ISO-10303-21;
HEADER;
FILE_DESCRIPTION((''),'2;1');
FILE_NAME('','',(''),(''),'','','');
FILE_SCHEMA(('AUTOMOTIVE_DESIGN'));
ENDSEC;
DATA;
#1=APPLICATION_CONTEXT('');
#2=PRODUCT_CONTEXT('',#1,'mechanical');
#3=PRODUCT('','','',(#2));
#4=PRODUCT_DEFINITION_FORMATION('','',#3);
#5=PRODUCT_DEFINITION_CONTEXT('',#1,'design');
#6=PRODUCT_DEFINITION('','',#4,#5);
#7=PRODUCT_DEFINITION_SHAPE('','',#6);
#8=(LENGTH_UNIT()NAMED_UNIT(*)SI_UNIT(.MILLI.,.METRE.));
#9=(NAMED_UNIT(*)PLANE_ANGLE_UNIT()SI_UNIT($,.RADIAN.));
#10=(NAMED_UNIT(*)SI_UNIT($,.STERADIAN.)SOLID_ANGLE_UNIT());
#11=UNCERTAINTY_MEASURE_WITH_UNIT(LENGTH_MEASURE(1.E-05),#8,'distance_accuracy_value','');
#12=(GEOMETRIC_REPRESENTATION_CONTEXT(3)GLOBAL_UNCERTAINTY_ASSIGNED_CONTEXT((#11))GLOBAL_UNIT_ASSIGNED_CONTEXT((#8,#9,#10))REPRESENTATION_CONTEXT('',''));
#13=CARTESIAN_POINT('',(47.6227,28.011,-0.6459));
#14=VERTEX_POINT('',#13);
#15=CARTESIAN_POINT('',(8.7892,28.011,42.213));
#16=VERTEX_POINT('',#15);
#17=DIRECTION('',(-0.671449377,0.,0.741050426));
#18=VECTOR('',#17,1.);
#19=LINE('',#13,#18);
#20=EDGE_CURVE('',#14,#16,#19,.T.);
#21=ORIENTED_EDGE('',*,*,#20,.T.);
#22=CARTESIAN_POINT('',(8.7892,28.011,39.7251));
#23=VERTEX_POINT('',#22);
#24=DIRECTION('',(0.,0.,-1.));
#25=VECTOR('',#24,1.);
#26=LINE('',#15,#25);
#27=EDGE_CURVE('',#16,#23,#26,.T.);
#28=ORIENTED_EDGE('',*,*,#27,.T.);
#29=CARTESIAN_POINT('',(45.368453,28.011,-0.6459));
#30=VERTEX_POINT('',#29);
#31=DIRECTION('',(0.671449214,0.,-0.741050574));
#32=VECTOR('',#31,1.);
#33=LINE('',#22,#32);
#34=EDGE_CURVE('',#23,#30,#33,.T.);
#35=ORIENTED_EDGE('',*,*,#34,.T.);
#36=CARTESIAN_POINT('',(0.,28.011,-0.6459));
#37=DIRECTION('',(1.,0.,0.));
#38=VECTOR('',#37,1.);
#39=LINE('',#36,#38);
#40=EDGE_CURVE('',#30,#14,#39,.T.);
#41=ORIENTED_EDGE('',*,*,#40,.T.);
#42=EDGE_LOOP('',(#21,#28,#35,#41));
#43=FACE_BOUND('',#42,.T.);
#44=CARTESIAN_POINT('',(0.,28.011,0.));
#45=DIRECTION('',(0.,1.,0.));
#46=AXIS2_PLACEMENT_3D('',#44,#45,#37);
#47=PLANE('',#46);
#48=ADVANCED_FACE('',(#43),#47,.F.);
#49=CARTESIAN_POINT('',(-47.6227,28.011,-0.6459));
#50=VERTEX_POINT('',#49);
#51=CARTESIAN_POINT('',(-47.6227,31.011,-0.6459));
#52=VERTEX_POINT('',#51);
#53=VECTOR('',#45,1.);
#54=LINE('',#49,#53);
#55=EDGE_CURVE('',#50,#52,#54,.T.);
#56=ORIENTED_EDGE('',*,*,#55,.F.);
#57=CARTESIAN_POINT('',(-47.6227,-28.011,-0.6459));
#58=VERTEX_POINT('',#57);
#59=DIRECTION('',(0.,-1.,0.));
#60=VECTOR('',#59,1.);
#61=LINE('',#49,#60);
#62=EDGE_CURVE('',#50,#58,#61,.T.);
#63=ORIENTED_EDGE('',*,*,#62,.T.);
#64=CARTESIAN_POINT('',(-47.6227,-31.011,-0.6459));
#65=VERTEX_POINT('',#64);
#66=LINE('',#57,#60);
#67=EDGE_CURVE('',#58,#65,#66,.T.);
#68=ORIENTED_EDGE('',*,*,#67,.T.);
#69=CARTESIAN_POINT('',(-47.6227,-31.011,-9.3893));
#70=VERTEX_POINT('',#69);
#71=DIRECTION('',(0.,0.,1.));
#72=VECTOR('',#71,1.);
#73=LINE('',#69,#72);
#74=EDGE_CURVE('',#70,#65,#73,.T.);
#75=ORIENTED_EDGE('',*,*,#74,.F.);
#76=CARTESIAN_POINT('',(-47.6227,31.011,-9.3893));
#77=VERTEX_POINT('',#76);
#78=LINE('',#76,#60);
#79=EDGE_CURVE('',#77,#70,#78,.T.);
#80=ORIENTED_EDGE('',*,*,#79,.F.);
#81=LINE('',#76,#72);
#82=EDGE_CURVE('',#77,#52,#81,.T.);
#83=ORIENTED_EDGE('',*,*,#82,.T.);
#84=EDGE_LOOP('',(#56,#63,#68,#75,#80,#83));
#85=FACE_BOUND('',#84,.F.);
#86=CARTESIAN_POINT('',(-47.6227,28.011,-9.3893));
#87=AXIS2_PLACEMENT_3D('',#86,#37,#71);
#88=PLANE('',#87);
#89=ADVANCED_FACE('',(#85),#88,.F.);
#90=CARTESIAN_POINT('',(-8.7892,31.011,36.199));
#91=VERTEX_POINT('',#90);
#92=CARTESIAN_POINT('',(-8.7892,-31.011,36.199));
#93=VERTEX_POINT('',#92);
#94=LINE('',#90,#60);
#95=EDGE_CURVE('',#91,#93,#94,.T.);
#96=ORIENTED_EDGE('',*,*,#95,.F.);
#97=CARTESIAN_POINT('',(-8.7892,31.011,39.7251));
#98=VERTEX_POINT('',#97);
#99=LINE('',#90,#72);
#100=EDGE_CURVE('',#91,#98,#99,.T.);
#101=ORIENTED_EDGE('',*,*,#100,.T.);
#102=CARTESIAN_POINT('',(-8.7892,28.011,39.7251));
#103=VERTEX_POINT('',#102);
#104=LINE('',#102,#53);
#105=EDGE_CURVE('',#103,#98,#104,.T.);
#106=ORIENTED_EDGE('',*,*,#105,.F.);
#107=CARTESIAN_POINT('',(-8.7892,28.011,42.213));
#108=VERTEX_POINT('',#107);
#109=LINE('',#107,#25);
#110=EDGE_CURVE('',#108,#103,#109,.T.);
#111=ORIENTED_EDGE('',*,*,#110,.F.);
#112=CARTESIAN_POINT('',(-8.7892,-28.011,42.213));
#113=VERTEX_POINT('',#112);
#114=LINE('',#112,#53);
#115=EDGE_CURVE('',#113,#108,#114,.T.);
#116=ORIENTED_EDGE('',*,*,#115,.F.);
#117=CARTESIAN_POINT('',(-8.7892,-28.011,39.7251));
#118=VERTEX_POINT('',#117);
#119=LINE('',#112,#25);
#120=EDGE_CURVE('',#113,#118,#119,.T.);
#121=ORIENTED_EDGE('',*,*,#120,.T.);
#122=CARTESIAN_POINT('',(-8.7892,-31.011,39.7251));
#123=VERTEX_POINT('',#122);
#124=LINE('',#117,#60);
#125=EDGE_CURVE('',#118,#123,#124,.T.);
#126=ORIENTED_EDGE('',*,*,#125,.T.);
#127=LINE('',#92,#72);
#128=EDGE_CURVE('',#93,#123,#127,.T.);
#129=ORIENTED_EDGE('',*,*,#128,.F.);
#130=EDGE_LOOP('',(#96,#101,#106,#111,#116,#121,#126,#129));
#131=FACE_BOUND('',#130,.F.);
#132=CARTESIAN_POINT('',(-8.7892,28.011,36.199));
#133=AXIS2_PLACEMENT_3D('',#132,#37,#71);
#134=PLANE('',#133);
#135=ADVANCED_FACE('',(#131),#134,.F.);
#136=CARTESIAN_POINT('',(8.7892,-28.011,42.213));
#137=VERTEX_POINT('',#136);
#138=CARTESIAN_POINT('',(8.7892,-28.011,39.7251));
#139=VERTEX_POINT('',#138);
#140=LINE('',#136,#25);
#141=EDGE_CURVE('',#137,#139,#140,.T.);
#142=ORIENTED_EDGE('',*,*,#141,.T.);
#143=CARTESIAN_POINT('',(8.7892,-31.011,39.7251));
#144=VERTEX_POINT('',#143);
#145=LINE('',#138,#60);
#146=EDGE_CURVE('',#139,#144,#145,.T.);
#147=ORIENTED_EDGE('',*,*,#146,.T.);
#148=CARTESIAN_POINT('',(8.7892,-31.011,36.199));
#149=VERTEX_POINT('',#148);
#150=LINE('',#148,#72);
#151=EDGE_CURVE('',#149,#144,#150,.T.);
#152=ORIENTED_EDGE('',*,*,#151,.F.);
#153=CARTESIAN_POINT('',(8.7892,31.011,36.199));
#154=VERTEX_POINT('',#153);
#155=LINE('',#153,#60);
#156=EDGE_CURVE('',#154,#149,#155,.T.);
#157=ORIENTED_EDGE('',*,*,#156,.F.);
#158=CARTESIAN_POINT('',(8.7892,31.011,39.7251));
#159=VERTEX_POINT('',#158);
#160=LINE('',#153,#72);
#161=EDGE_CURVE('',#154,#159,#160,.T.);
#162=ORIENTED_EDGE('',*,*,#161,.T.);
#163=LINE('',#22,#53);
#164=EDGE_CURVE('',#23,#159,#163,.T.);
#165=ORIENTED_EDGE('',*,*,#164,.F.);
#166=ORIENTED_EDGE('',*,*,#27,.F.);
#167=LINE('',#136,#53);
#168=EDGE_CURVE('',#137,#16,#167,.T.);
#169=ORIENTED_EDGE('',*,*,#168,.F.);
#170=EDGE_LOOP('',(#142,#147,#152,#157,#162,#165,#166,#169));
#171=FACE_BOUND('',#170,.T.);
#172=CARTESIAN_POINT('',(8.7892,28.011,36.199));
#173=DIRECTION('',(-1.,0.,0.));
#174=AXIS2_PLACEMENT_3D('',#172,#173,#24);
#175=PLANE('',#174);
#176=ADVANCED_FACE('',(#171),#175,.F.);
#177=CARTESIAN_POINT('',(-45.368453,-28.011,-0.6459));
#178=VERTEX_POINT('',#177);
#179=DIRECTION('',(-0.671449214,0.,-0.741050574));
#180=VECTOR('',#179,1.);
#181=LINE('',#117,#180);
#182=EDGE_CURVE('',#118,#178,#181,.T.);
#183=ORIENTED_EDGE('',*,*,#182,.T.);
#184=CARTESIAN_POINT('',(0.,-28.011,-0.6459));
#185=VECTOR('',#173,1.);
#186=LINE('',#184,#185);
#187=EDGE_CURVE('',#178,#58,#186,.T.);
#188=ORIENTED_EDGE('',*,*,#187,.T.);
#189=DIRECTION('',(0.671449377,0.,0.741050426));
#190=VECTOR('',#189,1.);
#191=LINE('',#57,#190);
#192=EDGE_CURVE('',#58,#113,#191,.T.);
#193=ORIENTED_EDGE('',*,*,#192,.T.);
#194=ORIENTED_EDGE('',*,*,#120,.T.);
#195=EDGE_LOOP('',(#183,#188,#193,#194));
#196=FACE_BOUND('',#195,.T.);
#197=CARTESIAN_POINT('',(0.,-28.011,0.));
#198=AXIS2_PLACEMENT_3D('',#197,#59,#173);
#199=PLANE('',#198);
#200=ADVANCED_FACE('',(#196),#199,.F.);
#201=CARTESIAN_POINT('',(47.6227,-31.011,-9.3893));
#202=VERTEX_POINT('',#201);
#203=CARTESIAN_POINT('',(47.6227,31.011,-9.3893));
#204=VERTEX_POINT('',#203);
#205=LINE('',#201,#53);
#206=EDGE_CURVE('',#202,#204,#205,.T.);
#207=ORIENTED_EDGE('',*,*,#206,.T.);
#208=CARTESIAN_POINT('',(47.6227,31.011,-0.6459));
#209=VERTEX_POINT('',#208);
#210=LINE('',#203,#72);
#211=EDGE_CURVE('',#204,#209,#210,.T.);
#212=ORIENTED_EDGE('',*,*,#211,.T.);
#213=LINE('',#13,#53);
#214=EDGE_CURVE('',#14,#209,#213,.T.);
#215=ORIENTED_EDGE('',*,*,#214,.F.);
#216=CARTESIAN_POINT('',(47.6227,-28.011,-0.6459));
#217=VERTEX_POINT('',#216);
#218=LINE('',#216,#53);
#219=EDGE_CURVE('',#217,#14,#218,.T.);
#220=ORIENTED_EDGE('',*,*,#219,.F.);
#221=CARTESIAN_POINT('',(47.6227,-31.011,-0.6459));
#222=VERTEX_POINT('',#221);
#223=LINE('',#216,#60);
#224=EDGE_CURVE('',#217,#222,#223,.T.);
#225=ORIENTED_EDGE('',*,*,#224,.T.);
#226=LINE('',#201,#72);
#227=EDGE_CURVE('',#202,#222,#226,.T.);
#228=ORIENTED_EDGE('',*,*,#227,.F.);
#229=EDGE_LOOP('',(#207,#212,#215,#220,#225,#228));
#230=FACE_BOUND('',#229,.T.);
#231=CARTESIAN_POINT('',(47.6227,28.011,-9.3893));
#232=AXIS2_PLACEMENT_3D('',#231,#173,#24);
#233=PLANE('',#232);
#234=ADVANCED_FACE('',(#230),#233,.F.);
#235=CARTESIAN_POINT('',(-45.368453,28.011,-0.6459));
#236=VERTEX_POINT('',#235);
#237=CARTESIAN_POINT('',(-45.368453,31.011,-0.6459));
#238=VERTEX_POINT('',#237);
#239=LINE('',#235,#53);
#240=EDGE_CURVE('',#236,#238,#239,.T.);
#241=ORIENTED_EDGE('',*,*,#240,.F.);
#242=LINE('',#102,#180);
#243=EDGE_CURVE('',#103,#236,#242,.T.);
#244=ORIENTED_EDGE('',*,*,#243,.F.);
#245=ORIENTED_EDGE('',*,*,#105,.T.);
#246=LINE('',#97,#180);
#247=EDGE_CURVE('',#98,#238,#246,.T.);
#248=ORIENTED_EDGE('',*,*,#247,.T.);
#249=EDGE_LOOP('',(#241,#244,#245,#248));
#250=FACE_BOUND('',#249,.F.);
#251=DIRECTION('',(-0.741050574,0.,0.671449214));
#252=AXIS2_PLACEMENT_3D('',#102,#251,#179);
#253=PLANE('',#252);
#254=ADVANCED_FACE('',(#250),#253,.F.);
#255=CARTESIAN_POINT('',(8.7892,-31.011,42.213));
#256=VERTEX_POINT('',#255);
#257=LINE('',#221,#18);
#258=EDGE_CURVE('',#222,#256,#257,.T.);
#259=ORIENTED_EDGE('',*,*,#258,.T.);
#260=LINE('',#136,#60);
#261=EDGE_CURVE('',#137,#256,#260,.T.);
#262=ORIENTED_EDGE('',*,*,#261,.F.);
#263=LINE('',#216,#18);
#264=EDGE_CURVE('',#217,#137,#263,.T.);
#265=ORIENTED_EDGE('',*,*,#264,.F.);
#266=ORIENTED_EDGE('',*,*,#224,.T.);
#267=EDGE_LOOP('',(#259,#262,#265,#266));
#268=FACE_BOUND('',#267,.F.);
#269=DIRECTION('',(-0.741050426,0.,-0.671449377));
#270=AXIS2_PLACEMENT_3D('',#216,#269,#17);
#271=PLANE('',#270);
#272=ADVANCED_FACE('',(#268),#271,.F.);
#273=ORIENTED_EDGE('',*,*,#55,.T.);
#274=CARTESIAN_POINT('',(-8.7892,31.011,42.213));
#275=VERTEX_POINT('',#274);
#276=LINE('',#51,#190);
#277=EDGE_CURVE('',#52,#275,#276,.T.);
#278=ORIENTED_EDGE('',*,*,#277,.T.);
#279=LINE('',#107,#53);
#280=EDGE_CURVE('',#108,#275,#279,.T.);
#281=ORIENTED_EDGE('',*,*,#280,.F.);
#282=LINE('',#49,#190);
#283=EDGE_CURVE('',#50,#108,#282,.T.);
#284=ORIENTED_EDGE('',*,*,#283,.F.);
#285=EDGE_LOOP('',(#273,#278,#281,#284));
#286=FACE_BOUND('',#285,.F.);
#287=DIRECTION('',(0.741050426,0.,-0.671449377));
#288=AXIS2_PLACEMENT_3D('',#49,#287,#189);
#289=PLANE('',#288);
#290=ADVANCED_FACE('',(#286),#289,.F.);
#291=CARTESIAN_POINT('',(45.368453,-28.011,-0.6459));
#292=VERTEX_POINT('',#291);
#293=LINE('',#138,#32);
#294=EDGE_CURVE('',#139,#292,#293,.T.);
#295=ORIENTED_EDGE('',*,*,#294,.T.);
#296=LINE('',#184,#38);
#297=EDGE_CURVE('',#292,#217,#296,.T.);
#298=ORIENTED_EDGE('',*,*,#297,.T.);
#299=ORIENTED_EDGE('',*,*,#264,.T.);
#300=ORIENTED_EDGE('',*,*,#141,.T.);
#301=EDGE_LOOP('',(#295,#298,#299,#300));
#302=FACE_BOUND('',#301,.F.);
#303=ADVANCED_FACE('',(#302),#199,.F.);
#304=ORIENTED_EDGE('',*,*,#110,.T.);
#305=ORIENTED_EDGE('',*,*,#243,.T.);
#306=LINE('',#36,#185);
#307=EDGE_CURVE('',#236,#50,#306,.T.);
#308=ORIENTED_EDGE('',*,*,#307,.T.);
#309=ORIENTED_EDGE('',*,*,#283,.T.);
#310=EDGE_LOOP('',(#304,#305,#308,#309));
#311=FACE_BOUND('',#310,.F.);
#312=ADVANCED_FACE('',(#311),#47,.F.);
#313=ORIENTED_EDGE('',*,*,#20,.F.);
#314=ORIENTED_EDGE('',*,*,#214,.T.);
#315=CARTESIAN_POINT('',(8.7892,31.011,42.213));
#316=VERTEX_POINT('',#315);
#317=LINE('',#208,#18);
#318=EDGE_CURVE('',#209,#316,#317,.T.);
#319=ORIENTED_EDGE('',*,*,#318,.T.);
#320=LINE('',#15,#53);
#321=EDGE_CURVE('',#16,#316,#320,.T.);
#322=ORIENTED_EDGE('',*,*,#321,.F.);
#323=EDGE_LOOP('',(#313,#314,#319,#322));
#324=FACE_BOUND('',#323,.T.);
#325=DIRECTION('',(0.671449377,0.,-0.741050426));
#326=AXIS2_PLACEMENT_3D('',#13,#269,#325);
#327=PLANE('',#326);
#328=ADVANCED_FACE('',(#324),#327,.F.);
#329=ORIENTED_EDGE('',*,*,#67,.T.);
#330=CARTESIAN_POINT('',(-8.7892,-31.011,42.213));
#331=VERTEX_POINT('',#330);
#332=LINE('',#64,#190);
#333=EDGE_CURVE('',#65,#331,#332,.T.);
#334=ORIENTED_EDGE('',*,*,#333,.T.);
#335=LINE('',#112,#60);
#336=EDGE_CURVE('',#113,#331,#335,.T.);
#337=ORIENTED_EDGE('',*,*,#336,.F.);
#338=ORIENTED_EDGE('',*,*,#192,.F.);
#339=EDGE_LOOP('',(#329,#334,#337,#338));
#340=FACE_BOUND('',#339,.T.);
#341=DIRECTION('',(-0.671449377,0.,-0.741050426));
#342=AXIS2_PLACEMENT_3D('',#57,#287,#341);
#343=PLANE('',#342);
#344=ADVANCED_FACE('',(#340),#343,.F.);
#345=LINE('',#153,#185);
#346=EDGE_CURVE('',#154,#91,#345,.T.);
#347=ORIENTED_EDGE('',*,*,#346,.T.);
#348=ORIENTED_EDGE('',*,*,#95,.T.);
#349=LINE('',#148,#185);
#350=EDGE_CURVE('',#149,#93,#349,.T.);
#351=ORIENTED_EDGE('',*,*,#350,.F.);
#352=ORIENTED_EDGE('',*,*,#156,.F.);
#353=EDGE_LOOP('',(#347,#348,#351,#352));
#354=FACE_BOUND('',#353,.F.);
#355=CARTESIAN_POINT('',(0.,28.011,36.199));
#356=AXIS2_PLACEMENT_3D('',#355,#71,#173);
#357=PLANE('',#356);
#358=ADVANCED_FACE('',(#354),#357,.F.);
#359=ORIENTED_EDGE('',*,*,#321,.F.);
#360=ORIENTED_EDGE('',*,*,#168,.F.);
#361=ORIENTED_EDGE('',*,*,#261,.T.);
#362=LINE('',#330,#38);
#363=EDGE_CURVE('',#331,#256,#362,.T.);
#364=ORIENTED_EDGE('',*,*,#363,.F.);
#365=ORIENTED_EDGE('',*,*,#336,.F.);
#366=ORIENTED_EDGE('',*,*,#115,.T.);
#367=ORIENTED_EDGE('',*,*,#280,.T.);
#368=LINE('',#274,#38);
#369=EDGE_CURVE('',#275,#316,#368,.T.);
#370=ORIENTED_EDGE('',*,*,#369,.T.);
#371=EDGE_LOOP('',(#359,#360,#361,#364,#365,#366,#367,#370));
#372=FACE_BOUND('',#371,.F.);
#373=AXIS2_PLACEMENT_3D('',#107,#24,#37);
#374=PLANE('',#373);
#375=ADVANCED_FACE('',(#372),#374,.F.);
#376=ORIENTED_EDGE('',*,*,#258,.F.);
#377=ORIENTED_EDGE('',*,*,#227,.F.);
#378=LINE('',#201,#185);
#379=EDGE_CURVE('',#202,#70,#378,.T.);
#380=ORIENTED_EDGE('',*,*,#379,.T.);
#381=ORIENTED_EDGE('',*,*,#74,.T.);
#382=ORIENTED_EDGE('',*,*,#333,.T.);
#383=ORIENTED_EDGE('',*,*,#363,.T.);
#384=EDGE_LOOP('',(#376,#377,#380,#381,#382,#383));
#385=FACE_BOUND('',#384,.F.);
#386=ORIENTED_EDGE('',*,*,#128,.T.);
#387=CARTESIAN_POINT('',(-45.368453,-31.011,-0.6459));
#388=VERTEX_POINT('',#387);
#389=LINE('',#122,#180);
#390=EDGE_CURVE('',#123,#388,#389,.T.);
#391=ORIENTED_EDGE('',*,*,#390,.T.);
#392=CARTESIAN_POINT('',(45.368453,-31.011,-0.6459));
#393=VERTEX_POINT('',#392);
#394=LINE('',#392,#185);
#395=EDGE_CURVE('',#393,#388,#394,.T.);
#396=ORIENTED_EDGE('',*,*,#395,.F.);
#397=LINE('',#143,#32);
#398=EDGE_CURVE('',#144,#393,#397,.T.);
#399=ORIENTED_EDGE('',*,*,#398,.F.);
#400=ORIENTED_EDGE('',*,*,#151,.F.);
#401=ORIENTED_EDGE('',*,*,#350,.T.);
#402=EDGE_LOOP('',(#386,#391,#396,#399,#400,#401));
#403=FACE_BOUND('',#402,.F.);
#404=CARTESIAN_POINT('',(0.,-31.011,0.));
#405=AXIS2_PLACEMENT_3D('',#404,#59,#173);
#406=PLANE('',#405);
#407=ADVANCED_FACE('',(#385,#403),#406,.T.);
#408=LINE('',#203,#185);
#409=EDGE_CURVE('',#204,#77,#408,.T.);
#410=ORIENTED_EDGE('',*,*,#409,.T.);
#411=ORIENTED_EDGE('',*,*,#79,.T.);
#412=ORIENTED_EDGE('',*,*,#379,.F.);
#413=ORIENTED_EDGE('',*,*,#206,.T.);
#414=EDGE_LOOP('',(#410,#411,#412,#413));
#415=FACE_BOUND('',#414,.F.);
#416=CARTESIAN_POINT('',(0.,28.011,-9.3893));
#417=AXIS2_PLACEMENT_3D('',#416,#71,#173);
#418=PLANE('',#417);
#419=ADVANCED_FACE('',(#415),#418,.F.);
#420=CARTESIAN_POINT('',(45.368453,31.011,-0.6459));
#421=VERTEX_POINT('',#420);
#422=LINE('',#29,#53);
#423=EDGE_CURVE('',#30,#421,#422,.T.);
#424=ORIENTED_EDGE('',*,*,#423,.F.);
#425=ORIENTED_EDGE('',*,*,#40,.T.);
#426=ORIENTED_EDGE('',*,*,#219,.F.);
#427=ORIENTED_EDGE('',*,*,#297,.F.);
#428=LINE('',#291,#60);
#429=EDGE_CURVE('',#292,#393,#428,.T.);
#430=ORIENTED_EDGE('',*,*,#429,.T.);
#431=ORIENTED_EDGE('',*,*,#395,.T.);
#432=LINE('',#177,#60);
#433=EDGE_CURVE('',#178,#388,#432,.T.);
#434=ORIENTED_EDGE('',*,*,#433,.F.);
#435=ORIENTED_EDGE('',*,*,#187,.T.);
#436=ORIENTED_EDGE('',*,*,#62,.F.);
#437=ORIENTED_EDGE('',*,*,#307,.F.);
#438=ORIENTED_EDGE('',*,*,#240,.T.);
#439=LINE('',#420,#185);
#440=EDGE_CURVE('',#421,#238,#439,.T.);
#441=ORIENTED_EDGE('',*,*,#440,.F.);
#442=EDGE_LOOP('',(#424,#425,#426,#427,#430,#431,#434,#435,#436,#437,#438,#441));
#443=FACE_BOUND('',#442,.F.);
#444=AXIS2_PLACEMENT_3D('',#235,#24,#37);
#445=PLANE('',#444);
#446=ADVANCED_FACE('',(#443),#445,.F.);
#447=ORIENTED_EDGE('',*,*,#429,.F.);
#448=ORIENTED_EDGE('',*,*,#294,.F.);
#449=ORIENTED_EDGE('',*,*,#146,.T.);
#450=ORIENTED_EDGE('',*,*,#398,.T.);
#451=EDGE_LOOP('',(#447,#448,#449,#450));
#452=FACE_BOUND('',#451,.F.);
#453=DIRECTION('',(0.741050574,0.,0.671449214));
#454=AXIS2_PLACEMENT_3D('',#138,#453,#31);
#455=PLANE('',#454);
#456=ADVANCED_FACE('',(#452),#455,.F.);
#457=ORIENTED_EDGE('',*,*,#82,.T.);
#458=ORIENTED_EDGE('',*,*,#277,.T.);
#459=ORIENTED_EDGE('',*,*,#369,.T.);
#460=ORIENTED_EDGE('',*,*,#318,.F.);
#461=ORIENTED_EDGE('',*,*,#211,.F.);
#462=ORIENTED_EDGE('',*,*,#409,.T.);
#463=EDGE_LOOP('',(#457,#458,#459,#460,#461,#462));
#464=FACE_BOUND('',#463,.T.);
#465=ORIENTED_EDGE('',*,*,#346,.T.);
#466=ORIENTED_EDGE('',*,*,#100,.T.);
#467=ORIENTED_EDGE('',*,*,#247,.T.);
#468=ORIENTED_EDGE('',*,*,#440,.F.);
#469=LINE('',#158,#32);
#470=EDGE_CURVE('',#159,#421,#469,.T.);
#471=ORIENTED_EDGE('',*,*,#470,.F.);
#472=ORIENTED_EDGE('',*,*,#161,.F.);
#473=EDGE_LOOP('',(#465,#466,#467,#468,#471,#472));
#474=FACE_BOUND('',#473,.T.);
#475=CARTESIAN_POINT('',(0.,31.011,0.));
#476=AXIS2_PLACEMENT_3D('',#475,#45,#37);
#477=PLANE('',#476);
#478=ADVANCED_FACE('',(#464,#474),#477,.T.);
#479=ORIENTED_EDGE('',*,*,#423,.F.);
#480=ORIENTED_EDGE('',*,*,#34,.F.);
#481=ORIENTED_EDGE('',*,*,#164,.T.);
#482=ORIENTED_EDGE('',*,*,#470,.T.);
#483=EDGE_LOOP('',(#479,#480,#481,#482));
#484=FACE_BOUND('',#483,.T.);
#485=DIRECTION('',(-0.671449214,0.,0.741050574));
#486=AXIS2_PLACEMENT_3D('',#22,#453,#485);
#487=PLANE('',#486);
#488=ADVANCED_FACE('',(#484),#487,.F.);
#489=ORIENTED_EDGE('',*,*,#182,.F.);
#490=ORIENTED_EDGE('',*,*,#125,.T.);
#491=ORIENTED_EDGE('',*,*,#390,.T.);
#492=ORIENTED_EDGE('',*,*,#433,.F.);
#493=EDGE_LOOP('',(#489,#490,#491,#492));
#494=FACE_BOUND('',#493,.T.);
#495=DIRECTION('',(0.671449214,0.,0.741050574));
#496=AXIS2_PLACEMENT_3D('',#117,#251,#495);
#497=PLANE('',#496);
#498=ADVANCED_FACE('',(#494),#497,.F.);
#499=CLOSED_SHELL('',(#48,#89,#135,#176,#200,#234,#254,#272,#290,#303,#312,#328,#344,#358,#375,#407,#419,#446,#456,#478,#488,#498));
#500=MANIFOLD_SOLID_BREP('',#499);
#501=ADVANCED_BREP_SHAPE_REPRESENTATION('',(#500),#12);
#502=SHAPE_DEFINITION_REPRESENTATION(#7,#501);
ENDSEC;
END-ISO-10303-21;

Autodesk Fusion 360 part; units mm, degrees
ref_plane "WorkPlane1" through (0, 28.011, 0) normal (0, 1, 0) x (0, 0, 1)
sketch "Sketch2" plane through (0, 28.011, 0) normal (0, 1, 0) x (1, 0, 0)
  line L0 (-47.6227, 0.6459) -> (-8.7892, -42.213)
  line L1 (-8.7892, -39.7251) -> (-48.648, 4.2654)
  line L2 (-8.7892, -42.213) -> (0, -42.213)
  line L3 (0, -42.213) -> (0, -36.199)
  line L4 (0, -36.199) -> (-8.7892, -36.199)
  line L5 (-8.7892, -36.199) -> (-8.7892, -42.213)
  line L6 (-47.6227, 0.6459) -> (0, 0.6459)
  line L7 (0, 0.6459) -> (0, 9.3893)
  line L8 (0, 9.3893) -> (-47.6227, 9.3893)
  line L9 (-47.6227, 9.3893) -> (-47.6227, 0.6459)
extrude "Extrude1" add sketch "Sketch2" along normal blind 3
extrude "Extrude2" add sketch "Sketch2" against normal up to surface (28.011 mm away) contours L1 L6 L9 | L2 L3 L4 L5 | L1 L6 L7 L8 L9
mirror "Mirror1" about plane through (0, 0, 0) normal (1, 0, 0) of bodies 1 merged
mirror "Mirror2" about plane through (0, 0, 0) normal (0, -1, 0) of bodies 1 merged
